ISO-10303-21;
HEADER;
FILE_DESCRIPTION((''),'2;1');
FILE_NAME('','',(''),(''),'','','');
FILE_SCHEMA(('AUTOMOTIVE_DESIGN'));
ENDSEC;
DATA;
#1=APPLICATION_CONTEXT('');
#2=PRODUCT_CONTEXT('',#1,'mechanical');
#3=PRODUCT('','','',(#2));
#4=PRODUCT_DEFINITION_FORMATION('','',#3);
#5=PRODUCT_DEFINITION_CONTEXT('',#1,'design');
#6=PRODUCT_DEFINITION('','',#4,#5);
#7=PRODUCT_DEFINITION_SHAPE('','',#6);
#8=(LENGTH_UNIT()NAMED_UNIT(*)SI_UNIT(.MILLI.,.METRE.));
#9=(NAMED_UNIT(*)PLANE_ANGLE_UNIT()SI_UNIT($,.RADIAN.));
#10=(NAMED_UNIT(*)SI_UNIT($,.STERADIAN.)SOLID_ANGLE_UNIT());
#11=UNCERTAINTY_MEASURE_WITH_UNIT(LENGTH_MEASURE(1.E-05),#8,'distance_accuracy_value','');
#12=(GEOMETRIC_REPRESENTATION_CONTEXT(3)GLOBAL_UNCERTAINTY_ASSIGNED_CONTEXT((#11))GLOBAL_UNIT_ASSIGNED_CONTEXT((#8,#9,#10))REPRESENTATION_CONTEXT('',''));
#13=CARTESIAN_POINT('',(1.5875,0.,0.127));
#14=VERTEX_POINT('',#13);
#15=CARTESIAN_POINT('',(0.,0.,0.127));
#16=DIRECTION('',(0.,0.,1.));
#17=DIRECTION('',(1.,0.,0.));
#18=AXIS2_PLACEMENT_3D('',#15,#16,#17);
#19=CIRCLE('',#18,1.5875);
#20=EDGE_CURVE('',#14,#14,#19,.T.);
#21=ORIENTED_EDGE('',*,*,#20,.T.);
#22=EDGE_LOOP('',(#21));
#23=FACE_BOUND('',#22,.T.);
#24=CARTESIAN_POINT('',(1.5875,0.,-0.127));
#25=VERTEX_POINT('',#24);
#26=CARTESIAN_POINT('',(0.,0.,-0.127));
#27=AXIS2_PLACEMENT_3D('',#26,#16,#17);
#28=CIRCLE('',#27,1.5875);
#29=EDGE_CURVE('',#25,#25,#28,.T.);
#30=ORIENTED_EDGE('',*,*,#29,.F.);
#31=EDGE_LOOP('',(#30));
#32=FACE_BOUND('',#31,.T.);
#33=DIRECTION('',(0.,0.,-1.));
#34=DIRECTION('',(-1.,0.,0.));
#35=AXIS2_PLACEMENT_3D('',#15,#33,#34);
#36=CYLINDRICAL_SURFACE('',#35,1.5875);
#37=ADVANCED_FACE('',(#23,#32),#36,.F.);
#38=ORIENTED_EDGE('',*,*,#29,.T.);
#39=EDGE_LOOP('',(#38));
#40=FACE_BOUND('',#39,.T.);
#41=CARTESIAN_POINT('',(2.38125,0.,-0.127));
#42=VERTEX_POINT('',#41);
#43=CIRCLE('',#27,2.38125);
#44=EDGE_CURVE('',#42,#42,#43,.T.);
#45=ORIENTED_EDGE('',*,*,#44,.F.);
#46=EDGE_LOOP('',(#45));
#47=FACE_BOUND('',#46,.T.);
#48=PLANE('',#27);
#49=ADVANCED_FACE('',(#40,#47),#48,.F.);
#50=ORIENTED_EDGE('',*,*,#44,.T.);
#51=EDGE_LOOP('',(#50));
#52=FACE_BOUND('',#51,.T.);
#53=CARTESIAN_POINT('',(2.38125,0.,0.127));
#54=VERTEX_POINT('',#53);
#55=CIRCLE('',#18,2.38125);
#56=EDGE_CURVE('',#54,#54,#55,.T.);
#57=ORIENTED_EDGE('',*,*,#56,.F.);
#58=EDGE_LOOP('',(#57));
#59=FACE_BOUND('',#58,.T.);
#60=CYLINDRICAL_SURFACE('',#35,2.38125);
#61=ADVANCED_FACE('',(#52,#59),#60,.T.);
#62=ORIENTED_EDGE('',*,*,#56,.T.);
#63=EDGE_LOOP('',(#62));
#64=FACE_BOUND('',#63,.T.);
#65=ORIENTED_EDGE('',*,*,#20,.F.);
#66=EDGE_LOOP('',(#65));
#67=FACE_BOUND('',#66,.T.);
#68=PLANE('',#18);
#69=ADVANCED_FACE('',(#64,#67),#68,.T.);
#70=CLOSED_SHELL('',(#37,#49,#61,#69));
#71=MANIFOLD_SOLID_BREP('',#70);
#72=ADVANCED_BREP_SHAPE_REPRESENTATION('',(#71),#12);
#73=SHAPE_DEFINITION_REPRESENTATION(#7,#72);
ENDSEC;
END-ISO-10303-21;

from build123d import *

# Parameters (mm, degrees)
SKETCH3_R           = 2.38125
SKETCH3_R_2         = 1.5875
BOSS_EXTRUDE1_DEPTH = 0.127


with BuildPart() as part:
    # Sketch3 → Boss-Extrude1 (new body, symmetric)
    with BuildSketch(Plane.XY):
        Circle(SKETCH3_R)
        Circle(SKETCH3_R_2, mode=Mode.SUBTRACT)
    extrude(amount=BOSS_EXTRUDE1_DEPTH, both=True)


solid = part.part
